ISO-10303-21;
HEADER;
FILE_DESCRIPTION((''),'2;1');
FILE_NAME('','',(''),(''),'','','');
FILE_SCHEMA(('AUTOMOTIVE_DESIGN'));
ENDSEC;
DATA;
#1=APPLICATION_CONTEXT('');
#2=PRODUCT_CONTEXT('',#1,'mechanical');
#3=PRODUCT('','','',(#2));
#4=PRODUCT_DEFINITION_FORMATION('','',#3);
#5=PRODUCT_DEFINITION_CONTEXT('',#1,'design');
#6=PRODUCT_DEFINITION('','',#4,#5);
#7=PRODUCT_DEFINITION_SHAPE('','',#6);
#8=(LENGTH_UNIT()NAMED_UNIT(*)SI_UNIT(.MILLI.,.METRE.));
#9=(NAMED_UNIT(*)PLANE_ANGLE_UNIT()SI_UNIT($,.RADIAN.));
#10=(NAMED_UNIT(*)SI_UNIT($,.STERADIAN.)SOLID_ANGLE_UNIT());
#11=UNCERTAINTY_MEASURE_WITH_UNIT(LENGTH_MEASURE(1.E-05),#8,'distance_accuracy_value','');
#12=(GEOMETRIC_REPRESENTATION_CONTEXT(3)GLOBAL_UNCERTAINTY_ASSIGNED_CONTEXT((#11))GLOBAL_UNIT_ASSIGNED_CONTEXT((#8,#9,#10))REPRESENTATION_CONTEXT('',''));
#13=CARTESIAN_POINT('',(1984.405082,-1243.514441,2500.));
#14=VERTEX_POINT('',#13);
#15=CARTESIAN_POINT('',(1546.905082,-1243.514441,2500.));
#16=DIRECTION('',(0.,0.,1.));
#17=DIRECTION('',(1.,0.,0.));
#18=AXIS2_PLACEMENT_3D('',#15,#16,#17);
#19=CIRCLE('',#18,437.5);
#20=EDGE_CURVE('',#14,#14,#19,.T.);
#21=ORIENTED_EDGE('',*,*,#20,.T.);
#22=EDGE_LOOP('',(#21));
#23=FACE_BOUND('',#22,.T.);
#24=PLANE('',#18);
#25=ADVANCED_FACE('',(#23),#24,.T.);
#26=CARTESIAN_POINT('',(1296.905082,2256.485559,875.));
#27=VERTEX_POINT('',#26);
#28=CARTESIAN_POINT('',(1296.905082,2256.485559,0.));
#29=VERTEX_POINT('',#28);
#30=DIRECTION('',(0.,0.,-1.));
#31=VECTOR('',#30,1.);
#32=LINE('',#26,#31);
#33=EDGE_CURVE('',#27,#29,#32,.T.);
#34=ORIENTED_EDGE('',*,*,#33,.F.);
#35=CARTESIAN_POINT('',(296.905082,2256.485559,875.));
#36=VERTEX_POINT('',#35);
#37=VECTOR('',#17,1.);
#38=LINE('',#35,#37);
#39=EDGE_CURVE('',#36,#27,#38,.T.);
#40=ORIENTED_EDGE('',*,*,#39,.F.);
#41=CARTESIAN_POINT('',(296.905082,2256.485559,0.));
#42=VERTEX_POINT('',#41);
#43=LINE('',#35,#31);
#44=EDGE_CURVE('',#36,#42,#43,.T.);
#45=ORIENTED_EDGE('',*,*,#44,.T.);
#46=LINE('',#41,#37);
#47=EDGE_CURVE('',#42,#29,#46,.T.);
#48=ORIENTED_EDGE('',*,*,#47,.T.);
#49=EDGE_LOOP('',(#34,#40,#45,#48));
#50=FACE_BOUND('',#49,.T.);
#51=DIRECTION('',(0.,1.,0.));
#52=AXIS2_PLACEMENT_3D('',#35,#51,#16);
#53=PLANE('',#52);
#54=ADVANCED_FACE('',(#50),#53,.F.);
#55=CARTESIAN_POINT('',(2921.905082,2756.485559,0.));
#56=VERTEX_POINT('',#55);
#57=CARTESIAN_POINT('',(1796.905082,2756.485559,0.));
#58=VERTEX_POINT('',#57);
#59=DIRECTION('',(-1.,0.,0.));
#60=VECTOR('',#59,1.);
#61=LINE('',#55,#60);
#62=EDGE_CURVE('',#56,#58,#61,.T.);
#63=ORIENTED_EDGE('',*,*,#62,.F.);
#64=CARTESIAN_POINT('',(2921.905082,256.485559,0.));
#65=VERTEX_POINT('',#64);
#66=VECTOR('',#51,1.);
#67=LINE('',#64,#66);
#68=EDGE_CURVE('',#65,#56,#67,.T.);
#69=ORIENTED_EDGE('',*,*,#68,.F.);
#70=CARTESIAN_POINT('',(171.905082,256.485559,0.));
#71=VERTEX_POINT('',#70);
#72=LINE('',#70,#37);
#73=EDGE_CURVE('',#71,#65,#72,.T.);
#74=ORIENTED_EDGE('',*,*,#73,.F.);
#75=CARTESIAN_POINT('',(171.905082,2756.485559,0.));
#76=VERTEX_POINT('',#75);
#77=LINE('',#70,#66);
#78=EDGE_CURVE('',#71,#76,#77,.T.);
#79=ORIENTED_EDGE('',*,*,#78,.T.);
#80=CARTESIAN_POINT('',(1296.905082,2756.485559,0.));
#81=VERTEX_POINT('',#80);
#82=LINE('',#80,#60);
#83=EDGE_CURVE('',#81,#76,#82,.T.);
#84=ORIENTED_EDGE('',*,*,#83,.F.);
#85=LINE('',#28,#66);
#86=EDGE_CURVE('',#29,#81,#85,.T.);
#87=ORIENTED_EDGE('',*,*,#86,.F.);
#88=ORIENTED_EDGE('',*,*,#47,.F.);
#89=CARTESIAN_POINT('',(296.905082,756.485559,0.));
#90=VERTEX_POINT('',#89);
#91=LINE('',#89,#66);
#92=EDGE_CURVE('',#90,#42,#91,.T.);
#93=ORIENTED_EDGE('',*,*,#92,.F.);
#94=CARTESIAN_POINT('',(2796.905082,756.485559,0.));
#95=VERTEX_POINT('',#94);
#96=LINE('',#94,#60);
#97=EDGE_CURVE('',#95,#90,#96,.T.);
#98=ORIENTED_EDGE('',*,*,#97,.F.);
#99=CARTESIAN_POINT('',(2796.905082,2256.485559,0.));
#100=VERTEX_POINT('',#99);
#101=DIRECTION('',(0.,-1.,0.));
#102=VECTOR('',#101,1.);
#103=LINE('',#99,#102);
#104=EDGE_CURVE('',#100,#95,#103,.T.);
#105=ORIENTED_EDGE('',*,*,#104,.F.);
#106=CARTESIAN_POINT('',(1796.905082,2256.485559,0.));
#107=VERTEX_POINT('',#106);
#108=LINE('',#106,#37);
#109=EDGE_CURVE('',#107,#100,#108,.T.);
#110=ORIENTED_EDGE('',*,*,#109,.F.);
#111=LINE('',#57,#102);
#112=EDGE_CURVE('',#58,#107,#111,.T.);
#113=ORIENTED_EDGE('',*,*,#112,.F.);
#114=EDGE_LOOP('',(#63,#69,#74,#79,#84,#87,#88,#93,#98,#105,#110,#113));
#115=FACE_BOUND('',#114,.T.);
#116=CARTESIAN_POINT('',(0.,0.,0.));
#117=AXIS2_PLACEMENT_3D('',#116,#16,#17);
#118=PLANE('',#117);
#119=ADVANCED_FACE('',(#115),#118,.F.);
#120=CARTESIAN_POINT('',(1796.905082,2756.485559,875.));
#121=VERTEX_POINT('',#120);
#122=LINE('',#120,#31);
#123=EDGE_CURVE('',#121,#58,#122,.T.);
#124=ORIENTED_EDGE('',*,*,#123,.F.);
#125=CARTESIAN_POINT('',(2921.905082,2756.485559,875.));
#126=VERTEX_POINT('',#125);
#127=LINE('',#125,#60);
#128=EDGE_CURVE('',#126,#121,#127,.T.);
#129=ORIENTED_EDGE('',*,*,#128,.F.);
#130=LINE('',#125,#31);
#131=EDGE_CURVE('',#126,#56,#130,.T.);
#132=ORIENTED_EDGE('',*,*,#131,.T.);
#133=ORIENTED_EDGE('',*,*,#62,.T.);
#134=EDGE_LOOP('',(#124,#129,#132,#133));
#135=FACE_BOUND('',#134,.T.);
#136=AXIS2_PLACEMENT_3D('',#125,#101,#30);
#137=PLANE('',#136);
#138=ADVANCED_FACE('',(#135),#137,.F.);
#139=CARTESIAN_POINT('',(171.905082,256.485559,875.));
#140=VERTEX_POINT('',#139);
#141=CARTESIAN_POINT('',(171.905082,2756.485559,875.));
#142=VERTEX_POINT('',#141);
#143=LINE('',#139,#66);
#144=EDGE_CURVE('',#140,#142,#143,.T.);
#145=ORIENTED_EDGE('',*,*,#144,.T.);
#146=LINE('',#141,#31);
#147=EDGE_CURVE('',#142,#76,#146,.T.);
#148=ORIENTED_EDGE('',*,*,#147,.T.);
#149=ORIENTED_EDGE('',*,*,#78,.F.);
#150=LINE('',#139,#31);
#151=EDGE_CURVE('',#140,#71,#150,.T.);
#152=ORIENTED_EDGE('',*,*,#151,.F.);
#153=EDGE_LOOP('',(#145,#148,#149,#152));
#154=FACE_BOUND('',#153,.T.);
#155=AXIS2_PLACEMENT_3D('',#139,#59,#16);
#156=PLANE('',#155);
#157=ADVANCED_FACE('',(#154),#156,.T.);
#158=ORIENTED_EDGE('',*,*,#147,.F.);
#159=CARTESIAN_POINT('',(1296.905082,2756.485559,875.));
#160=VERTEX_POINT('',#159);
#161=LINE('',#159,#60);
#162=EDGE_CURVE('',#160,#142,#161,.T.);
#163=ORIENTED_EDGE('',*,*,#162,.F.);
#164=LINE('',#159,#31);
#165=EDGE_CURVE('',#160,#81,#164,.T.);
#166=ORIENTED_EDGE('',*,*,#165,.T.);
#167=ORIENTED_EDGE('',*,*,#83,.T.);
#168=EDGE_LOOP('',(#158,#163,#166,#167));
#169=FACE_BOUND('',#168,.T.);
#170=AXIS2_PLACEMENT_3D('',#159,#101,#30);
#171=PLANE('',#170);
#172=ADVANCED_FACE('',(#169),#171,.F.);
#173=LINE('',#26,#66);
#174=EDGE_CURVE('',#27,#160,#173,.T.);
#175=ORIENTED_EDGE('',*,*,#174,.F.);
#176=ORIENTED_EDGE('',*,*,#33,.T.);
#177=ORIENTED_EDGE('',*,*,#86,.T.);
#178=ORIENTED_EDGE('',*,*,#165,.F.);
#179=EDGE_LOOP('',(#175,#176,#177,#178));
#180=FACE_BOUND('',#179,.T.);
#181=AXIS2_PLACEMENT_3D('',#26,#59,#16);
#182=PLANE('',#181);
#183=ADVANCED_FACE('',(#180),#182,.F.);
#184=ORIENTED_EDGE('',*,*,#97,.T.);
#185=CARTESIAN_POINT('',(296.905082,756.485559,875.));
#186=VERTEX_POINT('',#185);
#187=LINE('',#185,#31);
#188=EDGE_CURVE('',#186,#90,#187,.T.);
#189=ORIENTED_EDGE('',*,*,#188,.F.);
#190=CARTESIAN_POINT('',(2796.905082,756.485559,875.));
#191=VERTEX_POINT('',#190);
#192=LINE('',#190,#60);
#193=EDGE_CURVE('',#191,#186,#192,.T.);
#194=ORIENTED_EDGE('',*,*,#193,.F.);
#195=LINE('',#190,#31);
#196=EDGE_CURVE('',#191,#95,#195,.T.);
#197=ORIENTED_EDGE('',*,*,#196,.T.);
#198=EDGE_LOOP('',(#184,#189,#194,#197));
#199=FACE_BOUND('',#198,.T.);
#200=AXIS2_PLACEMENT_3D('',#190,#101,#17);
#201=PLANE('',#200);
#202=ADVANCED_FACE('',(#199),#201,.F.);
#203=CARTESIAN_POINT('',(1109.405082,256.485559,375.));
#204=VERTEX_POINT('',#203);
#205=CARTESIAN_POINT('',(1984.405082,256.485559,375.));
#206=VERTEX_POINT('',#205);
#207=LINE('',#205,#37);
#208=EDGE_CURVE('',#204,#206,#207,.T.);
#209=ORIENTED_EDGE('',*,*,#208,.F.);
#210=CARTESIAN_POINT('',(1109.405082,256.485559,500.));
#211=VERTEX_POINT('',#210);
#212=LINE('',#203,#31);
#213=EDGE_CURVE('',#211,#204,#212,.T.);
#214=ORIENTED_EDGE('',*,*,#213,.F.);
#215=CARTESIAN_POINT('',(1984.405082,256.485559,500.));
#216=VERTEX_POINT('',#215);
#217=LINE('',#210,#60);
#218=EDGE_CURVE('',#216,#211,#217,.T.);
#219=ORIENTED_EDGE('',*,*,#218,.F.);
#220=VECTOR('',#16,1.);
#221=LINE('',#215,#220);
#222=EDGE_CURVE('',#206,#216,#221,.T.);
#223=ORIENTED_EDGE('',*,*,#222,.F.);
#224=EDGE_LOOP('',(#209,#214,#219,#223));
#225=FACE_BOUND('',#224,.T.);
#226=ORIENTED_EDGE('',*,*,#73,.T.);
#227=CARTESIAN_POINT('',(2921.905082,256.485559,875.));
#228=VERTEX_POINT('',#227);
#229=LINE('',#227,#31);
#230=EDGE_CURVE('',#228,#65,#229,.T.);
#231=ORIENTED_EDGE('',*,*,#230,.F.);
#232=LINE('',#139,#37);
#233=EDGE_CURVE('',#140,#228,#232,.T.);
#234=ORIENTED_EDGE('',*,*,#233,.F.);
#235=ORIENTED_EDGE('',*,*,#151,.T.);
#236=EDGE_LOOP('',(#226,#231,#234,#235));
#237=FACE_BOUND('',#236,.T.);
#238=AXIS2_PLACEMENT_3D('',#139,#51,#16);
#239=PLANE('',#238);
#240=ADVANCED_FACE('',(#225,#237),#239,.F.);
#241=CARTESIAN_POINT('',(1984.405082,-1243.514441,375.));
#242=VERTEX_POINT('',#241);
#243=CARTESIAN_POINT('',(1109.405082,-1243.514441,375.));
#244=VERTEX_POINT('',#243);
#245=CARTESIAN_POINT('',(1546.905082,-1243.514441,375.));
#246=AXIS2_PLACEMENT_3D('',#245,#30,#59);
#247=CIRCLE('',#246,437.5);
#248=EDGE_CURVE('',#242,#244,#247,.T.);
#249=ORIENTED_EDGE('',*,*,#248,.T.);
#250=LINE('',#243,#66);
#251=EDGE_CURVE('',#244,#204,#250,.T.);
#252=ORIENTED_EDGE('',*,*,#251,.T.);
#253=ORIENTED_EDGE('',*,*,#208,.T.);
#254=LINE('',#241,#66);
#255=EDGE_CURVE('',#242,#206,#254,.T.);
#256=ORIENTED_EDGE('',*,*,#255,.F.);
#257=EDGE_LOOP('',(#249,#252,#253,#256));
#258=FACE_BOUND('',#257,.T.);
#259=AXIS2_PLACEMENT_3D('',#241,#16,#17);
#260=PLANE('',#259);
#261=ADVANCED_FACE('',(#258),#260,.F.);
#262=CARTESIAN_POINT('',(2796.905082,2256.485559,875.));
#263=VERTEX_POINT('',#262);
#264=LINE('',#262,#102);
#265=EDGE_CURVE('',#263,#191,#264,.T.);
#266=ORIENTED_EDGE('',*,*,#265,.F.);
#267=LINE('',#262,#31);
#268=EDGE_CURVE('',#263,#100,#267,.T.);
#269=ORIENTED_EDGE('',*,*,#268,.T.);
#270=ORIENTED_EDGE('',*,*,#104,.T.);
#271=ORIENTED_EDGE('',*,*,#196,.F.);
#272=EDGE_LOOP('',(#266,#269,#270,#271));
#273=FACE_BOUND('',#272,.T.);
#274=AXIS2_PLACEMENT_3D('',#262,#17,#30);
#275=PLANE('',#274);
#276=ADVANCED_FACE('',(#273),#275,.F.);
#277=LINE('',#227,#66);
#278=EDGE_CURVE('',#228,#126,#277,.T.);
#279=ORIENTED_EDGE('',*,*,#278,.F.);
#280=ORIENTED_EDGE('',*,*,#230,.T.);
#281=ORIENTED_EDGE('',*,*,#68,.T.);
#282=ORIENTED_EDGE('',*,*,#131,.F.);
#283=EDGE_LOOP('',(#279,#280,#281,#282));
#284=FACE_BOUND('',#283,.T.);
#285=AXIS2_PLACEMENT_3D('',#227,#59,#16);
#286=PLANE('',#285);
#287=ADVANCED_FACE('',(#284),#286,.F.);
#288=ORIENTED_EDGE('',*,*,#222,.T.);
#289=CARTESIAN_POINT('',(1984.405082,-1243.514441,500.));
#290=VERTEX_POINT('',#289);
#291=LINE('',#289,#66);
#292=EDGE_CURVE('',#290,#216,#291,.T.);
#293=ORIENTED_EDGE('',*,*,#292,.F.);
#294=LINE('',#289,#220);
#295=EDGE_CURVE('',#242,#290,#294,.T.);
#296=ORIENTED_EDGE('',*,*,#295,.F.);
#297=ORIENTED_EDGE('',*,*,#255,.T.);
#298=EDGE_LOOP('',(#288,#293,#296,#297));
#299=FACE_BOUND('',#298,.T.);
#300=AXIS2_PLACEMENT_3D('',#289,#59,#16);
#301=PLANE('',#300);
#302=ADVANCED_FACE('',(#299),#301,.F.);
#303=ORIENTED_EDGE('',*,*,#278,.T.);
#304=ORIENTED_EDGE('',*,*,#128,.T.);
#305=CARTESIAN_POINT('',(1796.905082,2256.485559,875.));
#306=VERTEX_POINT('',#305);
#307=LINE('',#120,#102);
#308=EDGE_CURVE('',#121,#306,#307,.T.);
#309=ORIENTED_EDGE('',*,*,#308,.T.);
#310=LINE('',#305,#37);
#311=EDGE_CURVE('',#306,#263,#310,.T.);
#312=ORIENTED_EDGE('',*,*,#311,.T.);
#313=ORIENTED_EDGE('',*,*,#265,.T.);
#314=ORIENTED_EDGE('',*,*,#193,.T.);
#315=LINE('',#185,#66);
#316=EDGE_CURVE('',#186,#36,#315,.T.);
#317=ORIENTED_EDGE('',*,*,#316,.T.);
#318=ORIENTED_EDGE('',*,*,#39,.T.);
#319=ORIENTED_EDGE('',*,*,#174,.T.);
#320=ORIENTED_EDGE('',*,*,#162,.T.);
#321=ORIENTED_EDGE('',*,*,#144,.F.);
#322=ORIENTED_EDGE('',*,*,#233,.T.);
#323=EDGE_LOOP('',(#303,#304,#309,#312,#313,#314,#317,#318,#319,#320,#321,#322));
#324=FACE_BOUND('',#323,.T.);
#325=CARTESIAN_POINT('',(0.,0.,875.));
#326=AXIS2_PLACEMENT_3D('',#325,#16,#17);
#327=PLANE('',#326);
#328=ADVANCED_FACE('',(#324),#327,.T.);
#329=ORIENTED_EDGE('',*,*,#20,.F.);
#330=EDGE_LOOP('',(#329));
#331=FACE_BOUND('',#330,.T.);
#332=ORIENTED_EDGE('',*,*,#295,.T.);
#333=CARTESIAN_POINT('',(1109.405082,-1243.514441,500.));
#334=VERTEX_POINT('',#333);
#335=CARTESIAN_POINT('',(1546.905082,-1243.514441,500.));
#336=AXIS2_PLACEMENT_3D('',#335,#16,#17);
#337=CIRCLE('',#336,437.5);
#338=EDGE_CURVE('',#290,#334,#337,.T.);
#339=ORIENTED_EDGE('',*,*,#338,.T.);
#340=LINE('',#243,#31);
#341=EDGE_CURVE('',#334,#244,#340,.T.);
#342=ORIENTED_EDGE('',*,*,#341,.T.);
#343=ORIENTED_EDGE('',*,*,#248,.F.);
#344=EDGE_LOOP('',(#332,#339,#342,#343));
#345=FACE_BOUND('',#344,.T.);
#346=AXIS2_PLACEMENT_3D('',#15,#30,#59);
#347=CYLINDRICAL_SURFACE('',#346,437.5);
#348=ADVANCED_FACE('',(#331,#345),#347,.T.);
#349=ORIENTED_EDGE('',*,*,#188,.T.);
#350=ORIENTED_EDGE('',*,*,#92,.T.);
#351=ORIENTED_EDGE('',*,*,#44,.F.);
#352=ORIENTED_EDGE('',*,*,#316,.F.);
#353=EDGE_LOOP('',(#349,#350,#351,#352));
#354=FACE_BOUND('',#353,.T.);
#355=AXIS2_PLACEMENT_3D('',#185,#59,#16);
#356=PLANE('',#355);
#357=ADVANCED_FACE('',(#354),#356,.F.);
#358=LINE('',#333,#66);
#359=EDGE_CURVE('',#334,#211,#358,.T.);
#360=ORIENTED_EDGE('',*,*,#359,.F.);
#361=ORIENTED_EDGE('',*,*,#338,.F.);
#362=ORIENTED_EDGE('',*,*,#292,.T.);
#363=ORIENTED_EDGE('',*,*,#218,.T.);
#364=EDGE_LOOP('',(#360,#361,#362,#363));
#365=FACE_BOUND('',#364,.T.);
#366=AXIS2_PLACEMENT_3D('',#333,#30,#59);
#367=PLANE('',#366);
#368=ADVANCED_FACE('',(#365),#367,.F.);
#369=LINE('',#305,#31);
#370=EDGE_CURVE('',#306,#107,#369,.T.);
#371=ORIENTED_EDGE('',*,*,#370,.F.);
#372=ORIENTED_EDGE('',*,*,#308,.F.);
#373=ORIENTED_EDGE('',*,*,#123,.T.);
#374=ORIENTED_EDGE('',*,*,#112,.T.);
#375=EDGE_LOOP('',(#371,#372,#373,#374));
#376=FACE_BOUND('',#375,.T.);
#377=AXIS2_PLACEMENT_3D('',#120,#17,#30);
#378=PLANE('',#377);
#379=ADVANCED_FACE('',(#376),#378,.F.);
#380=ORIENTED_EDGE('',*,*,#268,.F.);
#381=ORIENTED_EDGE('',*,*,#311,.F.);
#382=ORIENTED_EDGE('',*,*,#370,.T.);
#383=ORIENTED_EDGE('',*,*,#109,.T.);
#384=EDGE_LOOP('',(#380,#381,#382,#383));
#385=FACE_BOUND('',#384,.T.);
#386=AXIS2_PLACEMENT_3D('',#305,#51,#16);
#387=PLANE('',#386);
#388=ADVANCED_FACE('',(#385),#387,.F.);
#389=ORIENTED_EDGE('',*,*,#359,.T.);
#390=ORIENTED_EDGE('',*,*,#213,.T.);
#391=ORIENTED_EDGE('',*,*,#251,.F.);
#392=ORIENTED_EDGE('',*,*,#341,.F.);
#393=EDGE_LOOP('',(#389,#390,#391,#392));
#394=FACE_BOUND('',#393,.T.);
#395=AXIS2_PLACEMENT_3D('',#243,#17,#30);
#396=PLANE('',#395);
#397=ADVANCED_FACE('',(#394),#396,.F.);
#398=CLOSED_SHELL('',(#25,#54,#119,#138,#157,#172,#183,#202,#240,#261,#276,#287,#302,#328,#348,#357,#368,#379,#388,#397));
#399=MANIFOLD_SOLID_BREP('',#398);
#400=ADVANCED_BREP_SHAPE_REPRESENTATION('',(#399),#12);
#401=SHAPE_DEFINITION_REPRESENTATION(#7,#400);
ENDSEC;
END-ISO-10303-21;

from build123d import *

# Parameters (mm, degrees)
BOSS_EXTRUDE1_DEPTH = 875
SKETCH2_W           = 875
SKETCH2_H           = 125
BOSS_EXTRUDE2_DEPTH = 1500
SKETCH3_R           = 437.5
BOSS_EXTRUDE3_DEPTH = 2000
BOSS_EXTRUDE4_START = 125
BOSS_EXTRUDE4_DEPTH = 125


with BuildPart() as part:
    # Sketch1 → Boss-Extrude1 (new body)
    with BuildSketch(Plane.XY):
        Polygon((171.90508229, 256.485559069), (2921.90508229, 256.485559069), (2921.90508229, 2756.485559069), (1796.90508229, 2756.485559069), (1796.90508229, 2256.485559069), (2796.90508229, 2256.485559069), (2796.90508229, 756.485559069), (296.90508229, 756.485559069), (296.90508229, 2256.485559069), (1296.90508229, 2256.485559069), (1296.90508229, 2756.485559069), (171.90508229, 2756.485559069), align=None)
    extrude(amount=BOSS_EXTRUDE1_DEPTH)

    # Sketch2 → Boss-Extrude2 (add)
    with BuildSketch(Plane(origin=(0, 256.485559069, 0), x_dir=(-1, 0, 0), z_dir=(0, -1, 0))):
        with Locations((-1546.90508229, -437.5)):
            Rectangle(SKETCH2_W, SKETCH2_H)
    extrude(amount=BOSS_EXTRUDE2_DEPTH)

    # Sketch3 → Boss-Extrude3 (add)
    with BuildSketch(Plane.XY.offset(500)):
        with Locations((1546.90508229, -1243.514440931)):
            Circle(SKETCH3_R)
    extrude(amount=BOSS_EXTRUDE3_DEPTH)

    # Sketch4 → Boss-Extrude4 (add)
    with BuildSketch(Plane(origin=(0, 0, 500), x_dir=(-1, 0, 0), z_dir=(0, 0, -1)).offset(BOSS_EXTRUDE4_START)):
        with BuildLine():
            Line((-1984.40508229, -1243.514440931), (-1109.40508229, -1243.514440931))
            ThreePointArc((-1109.40508229, -1243.514440931), (-1546.90508229, -1681.014440931), (-1984.40508229, -1243.514440931))
        make_face()
    extrude(amount=-BOSS_EXTRUDE4_DEPTH)


solid = part.part
